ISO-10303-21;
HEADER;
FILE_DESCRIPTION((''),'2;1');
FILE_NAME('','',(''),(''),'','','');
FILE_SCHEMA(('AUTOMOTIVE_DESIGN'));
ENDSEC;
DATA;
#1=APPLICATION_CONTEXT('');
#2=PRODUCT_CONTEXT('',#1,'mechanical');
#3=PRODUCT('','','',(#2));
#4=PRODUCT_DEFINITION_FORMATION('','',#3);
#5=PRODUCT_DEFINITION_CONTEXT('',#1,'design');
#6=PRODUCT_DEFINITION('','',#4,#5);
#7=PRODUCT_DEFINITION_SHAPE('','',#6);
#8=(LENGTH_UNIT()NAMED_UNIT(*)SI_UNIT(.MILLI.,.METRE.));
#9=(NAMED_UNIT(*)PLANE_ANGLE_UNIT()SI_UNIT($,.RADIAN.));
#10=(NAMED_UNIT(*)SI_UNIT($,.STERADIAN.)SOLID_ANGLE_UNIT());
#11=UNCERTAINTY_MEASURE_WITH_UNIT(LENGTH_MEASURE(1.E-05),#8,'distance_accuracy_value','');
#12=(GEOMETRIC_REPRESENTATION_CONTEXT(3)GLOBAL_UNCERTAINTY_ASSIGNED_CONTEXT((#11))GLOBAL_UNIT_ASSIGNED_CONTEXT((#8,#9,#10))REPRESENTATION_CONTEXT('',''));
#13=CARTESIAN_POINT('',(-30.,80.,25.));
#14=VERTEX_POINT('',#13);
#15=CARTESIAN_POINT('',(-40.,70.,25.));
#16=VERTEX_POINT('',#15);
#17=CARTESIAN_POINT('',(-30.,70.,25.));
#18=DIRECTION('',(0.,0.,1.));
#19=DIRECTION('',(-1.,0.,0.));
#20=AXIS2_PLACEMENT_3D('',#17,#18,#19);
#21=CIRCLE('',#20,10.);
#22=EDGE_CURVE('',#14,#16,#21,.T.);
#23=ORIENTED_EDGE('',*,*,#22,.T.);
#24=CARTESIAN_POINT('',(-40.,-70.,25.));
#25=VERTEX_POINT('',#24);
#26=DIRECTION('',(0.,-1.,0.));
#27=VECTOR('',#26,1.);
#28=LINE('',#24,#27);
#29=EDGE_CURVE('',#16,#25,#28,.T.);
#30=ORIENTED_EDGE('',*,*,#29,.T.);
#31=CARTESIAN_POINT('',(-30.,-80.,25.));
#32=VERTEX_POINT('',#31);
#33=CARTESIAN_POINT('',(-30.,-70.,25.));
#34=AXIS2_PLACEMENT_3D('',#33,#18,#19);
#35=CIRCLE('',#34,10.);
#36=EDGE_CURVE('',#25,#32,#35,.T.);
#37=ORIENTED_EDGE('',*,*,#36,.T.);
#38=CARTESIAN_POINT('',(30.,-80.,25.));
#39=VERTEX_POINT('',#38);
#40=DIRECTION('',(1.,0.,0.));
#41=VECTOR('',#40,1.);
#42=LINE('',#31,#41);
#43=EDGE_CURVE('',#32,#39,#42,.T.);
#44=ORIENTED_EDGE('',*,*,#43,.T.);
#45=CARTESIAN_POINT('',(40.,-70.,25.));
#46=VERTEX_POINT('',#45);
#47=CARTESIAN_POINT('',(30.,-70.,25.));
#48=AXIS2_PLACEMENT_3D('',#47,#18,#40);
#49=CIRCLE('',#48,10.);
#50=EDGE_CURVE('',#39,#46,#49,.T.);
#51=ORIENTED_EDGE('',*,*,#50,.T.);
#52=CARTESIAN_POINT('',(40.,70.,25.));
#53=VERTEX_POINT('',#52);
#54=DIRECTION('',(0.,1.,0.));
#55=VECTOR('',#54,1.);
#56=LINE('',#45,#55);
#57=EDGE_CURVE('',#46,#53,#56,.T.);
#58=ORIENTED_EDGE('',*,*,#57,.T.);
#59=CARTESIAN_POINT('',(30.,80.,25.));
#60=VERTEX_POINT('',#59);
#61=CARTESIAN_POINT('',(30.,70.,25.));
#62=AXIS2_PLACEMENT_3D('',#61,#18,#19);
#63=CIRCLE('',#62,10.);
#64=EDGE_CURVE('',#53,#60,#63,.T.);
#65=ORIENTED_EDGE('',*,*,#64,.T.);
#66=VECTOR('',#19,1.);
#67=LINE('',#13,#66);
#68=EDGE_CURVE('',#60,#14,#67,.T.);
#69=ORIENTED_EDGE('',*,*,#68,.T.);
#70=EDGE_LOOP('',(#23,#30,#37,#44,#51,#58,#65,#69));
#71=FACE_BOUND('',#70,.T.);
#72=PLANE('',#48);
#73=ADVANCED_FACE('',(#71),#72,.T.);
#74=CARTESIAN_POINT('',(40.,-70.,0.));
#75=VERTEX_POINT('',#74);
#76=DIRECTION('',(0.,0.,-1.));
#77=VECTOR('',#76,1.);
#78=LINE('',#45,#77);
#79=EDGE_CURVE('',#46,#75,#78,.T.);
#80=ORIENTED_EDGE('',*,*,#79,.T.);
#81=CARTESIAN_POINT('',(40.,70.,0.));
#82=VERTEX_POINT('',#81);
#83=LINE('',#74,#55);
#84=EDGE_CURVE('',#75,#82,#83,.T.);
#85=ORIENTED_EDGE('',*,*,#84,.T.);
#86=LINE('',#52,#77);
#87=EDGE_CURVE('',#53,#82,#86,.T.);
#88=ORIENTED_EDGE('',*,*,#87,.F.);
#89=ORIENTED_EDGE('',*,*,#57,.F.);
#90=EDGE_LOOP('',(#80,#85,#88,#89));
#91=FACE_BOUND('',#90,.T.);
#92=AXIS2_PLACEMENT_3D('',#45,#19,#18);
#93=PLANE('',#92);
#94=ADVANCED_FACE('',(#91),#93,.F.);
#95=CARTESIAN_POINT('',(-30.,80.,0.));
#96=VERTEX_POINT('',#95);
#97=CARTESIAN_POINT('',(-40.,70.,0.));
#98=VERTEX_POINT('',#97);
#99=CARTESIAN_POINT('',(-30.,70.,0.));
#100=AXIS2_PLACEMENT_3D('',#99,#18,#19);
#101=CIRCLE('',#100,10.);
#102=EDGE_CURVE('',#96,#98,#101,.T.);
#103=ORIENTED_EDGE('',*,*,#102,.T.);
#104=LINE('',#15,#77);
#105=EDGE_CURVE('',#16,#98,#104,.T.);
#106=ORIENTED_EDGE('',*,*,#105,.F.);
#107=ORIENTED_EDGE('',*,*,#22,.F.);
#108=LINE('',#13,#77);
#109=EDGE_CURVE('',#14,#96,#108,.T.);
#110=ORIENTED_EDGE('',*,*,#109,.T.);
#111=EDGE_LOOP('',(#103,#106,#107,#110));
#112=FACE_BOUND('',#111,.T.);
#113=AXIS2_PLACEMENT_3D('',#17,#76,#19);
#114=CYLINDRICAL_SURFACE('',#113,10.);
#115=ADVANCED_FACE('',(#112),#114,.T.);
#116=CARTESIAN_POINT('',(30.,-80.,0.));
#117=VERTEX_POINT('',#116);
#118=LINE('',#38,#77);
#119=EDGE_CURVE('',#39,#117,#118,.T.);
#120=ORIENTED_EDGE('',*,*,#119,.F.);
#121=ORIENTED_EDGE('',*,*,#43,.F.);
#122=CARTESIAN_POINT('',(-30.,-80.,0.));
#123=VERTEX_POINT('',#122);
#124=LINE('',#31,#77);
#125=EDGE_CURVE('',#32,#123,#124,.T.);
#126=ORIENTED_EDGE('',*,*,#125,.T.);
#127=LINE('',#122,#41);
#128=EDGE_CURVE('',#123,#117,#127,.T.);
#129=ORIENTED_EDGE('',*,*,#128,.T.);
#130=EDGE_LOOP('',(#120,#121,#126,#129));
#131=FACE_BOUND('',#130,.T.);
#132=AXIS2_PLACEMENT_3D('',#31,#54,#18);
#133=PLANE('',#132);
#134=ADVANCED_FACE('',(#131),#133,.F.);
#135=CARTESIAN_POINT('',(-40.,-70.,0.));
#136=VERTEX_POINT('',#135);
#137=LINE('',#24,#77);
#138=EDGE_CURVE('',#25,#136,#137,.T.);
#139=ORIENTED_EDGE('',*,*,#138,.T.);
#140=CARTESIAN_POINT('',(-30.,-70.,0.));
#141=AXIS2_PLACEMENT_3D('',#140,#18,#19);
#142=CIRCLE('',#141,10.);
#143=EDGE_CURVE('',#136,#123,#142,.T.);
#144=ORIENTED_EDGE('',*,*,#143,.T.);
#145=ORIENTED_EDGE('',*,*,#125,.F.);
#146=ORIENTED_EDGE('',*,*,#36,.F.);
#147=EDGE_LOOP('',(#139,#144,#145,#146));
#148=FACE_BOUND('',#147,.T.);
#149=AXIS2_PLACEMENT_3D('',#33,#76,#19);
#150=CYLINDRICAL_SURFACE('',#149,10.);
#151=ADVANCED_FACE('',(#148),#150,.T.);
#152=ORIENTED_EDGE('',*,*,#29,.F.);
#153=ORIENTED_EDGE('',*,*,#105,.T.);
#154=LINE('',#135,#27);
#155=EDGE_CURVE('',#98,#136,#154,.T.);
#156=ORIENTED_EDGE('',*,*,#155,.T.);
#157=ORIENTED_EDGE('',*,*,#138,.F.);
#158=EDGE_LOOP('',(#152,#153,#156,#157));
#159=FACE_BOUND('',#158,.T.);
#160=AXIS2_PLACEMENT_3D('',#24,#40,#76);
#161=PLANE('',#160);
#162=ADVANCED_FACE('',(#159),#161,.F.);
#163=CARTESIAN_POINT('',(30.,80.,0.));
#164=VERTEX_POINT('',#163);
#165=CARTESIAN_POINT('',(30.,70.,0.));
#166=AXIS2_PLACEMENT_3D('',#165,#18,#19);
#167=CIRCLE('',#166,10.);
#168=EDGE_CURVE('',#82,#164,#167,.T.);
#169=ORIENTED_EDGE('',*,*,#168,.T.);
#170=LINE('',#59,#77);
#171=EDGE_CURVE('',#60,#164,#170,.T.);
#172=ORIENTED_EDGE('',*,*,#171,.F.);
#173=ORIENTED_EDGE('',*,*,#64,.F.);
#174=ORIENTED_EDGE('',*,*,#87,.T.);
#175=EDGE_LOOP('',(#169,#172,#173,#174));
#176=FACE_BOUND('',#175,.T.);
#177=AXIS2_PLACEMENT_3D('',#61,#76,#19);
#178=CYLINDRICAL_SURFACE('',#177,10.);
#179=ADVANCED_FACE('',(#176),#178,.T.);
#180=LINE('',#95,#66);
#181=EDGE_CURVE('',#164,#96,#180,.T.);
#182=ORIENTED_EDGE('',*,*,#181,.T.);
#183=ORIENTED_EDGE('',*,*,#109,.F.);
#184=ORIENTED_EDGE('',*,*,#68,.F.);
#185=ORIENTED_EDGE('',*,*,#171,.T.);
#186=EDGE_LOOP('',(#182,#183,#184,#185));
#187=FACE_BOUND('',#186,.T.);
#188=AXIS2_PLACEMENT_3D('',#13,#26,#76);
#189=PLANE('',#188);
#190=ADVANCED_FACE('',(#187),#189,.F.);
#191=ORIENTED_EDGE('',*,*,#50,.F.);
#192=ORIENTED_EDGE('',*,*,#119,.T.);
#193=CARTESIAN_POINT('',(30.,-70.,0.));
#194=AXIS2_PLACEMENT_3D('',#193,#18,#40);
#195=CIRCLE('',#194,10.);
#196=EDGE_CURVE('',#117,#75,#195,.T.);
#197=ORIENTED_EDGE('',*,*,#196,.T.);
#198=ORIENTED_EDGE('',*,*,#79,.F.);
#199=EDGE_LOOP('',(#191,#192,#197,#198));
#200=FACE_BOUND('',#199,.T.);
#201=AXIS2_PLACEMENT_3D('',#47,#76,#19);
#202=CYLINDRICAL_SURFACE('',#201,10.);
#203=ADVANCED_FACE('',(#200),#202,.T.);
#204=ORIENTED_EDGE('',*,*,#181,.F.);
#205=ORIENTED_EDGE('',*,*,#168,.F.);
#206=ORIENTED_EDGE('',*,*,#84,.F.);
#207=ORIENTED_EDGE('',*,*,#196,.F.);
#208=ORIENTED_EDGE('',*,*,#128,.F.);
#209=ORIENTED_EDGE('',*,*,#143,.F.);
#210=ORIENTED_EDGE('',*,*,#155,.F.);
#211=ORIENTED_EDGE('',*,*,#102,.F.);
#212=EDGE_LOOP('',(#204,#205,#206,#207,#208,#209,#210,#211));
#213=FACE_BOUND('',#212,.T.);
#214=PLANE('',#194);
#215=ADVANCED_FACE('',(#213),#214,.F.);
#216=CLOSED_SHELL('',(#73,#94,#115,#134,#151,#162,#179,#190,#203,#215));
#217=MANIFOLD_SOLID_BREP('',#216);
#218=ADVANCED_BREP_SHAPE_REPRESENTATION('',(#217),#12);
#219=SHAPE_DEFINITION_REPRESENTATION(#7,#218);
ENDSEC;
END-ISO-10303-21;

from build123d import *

# Parameters (mm, degrees)
EXTRUDE_1_DEPTH = 25


with BuildPart() as part:
    # 草图1 → 凸台-拉伸1 (new body)
    with BuildSketch(Plane.XY):
        with BuildLine():
            Line((-30, -80), (30, -80))
            ThreePointArc((30, -80), (37.071067812, -77.071067812), (40, -70))
            Line((40, -70), (40, 70))
            ThreePointArc((40, 70), (37.071067812, 77.071067812), (30, 80))
            Line((30, 80), (-30, 80))
            ThreePointArc((-30, 80), (-37.071067812, 77.071067812), (-40, 70))
            Line((-40, 70), (-40, -70))
            ThreePointArc((-40, -70), (-37.071067812, -77.071067812), (-30, -80))
        make_face()
    extrude(amount=EXTRUDE_1_DEPTH)


solid = part.part
